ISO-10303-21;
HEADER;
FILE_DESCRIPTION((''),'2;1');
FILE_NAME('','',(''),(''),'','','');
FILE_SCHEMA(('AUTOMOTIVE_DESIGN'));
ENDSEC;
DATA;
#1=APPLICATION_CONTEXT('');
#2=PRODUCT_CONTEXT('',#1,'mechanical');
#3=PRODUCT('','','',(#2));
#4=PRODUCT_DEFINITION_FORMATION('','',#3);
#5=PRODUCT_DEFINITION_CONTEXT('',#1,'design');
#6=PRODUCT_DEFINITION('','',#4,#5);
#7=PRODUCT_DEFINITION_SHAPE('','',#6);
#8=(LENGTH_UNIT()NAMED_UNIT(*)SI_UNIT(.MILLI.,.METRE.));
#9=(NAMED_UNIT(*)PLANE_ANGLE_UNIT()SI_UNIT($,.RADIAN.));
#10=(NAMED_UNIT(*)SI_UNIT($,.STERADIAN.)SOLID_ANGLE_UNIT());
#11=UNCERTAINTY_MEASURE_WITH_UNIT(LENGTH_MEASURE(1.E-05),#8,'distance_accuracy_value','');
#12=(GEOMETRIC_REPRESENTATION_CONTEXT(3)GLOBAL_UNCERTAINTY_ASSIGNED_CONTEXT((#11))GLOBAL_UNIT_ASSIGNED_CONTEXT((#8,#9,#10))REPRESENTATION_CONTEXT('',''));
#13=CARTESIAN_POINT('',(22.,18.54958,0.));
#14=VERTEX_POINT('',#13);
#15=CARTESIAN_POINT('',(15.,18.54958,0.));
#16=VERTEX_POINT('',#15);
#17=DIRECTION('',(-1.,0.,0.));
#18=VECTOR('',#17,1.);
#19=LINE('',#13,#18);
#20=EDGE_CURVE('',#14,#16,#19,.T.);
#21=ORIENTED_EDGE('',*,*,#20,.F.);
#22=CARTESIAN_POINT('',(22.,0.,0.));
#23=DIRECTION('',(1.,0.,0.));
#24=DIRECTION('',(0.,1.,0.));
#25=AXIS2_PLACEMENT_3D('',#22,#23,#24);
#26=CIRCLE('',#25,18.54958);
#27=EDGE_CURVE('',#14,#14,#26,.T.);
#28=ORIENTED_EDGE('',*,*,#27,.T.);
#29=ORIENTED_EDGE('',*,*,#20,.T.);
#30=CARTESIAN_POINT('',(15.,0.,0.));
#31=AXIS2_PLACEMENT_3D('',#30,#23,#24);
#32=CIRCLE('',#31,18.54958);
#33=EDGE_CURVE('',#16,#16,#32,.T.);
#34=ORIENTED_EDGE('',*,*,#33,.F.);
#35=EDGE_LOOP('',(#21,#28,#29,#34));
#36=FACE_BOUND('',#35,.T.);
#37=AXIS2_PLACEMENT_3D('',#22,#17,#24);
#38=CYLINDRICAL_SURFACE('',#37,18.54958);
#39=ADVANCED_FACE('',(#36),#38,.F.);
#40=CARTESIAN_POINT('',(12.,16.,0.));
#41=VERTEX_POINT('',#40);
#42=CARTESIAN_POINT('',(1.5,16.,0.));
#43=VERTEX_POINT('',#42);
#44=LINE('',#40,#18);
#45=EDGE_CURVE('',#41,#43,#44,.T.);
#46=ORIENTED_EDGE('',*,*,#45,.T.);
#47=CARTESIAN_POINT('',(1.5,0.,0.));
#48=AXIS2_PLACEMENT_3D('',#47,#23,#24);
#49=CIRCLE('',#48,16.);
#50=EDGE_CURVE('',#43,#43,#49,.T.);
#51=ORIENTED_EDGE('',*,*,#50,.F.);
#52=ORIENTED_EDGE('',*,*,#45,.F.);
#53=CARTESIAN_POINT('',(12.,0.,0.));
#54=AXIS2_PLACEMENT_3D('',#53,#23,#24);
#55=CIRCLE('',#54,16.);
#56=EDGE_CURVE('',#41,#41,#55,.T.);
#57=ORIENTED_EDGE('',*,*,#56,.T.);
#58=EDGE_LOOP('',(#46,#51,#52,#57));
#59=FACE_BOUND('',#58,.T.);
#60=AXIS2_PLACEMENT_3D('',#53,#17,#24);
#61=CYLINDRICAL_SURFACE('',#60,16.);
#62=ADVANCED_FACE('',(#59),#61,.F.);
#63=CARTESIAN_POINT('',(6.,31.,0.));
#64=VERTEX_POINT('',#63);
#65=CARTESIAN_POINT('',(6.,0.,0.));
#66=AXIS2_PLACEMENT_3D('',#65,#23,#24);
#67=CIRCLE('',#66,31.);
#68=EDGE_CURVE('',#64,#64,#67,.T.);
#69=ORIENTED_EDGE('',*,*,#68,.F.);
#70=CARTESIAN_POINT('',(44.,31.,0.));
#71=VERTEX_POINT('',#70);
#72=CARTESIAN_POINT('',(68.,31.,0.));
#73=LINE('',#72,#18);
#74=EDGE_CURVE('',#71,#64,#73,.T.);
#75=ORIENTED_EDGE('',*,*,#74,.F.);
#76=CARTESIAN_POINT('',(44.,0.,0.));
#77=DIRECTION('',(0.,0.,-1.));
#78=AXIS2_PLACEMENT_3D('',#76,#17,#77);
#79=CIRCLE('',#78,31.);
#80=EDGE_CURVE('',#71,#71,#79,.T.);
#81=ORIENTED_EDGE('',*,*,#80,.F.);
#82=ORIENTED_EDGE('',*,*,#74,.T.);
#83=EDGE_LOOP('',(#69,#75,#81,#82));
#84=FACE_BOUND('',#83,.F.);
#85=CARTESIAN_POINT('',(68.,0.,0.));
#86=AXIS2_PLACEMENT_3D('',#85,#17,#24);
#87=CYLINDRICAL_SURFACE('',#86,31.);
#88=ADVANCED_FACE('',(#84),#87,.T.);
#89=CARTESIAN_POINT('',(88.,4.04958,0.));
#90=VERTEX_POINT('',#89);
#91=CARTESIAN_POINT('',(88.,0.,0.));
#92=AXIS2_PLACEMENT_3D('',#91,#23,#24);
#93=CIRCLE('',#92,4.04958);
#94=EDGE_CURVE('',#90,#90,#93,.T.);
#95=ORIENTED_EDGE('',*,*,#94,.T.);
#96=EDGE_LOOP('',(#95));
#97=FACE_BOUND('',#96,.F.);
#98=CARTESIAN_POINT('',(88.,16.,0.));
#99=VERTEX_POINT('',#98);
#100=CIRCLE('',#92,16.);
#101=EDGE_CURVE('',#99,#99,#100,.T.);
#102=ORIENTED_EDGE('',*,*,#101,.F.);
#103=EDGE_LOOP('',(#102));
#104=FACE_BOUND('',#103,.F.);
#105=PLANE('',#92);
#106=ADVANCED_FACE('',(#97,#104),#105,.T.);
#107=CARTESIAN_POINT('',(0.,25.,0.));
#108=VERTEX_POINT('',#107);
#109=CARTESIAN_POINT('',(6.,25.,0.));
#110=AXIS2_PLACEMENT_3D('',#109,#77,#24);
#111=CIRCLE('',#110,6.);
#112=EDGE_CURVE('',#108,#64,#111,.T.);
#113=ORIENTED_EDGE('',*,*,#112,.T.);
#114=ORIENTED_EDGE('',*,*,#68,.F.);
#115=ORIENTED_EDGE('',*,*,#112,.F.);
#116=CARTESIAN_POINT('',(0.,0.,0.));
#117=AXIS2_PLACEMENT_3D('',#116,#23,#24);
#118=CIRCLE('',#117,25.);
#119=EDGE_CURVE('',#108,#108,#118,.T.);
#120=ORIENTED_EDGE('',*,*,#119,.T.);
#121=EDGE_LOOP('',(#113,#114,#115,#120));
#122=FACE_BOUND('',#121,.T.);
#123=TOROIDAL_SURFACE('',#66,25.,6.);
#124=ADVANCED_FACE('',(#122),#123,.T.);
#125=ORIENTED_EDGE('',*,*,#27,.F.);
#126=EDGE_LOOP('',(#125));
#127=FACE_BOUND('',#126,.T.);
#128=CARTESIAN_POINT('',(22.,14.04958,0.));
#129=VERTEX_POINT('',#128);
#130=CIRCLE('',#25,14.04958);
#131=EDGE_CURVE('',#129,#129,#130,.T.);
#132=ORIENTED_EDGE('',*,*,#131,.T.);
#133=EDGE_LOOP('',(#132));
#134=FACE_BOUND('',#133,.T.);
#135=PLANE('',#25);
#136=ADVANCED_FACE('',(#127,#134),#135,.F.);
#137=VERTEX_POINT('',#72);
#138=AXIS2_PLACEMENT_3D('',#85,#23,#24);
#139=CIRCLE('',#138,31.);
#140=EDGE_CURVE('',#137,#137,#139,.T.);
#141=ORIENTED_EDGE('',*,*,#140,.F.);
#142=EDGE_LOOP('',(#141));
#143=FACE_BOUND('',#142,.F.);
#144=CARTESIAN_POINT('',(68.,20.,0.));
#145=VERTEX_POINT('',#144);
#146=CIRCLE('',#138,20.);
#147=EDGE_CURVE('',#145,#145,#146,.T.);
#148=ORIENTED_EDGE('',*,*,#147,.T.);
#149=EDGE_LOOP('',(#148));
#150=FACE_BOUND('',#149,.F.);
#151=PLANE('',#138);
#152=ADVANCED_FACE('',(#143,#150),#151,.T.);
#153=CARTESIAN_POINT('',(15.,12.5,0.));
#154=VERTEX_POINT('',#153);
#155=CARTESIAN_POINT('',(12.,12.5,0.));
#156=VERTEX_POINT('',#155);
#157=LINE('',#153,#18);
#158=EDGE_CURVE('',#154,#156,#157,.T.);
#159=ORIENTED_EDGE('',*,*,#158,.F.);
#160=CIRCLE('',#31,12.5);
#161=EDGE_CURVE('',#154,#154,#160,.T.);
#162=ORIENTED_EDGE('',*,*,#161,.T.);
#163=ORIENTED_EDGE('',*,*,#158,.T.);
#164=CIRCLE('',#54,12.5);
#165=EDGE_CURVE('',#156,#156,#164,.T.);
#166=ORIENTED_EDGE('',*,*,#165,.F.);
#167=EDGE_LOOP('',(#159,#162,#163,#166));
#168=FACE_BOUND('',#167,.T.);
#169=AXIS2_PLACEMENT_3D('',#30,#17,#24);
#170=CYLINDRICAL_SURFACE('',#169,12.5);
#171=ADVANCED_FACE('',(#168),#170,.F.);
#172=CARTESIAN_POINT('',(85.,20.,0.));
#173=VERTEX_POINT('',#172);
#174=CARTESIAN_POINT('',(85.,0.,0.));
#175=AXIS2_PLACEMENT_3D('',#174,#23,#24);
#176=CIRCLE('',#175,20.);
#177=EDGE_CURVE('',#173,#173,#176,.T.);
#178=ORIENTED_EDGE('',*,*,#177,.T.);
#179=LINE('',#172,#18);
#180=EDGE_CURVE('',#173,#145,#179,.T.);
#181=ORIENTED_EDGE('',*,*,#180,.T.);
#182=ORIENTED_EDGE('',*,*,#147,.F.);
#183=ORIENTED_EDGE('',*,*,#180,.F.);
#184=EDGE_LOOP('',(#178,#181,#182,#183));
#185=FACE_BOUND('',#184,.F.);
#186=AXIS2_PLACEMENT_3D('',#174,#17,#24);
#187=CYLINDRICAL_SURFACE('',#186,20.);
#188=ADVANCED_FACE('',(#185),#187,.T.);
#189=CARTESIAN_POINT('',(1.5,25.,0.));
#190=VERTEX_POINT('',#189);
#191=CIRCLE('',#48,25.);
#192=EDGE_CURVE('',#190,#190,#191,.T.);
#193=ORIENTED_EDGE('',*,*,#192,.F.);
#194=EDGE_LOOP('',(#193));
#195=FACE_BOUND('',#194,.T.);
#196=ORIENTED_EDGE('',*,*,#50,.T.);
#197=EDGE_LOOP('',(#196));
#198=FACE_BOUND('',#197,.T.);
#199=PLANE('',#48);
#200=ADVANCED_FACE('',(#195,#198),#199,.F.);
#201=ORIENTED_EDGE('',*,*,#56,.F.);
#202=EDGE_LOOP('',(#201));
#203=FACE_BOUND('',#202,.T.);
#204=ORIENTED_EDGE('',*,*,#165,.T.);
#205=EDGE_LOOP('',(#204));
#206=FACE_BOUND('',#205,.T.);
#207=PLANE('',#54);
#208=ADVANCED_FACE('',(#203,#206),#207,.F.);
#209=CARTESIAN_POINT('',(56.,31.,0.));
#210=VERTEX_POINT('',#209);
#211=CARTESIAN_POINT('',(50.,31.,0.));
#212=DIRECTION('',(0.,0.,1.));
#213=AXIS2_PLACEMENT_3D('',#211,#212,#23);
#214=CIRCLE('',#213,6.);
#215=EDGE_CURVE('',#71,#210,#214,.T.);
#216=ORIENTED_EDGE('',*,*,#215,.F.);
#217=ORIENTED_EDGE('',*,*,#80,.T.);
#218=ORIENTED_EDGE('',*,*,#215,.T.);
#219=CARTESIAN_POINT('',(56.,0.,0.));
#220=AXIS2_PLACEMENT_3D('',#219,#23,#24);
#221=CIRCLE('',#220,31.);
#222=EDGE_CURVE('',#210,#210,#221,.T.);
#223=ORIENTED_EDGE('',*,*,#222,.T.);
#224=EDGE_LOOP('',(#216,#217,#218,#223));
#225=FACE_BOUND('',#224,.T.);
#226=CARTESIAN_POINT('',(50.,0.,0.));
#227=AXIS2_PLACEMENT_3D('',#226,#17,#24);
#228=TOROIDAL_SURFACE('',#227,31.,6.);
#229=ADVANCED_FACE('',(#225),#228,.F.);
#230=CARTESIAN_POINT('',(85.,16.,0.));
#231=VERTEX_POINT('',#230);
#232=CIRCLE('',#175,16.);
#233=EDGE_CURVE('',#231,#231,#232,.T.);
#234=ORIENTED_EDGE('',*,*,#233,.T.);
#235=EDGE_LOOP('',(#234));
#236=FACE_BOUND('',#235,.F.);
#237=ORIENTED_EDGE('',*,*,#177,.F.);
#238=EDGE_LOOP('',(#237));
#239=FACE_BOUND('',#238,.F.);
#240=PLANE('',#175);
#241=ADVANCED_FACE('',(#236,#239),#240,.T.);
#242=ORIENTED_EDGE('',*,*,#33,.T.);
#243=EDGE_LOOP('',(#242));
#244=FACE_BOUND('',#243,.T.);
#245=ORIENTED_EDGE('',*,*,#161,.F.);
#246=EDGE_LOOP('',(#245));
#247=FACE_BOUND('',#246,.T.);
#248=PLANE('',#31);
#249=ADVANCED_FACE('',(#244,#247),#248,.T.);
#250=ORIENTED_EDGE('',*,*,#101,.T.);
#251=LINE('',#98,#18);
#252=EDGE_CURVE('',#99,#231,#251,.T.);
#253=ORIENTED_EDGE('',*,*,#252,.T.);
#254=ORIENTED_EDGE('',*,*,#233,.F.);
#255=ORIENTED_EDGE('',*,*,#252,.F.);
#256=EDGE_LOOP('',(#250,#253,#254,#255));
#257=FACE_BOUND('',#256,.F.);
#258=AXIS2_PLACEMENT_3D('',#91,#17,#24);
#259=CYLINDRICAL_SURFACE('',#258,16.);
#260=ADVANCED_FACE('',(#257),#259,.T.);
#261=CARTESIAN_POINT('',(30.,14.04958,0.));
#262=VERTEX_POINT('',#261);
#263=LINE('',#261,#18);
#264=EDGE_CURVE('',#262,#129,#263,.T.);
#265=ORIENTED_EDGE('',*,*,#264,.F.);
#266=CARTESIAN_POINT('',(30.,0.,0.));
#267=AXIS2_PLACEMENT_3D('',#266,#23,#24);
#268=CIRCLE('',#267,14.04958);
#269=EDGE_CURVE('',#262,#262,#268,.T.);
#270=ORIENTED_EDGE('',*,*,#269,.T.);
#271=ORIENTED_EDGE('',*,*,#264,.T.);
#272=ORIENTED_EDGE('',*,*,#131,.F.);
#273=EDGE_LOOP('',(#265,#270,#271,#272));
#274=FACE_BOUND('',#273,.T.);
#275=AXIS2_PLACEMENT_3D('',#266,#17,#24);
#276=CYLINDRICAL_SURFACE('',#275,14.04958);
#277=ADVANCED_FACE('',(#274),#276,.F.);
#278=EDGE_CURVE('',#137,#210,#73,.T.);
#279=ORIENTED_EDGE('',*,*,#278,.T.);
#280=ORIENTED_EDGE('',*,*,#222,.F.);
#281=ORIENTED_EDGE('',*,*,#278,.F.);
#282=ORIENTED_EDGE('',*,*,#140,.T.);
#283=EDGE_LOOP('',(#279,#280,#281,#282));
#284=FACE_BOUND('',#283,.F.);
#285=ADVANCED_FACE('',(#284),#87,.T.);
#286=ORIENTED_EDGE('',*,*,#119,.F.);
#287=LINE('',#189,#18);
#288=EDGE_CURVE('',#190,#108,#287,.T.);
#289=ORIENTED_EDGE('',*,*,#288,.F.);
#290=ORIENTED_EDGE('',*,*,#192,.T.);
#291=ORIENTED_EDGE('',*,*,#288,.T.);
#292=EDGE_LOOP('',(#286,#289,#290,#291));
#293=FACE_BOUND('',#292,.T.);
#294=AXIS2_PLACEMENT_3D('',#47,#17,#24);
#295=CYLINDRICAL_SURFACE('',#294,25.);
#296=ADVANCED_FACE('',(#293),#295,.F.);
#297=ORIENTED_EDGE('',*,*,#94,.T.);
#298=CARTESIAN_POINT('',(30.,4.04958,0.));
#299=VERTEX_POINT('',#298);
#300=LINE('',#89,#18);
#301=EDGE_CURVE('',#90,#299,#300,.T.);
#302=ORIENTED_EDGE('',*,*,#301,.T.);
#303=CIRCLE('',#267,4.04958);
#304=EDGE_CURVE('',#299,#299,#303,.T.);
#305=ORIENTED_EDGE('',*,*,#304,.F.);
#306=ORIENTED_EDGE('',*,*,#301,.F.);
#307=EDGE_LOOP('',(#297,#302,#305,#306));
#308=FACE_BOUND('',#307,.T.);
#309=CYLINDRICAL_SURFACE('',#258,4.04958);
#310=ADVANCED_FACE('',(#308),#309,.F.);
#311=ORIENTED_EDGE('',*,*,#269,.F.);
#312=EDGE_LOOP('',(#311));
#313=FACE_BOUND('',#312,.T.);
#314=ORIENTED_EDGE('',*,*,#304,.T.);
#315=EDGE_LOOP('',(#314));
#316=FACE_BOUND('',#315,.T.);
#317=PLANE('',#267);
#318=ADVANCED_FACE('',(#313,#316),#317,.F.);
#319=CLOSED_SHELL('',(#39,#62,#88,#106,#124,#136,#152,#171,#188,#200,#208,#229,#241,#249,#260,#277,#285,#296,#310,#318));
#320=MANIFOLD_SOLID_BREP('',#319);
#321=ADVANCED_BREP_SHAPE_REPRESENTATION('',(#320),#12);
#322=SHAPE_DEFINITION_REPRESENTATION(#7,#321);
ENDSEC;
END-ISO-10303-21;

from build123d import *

# Parameters (mm, degrees)
F2_R = 6
F3_R = 6


with BuildPart() as f1:
    # F0 (on Top) → F1 (revolve)
    with BuildSketch(Plane.XY):
        Polygon((0, 31), (0, 0), (88, 0), (88, 16), (85, 16), (85, 20), (68, 20), (68, 31), align=None)
    revolve(axis=Axis((49.862798, 0, 0), (1, 0, 0)))

    # F2
    f2_edges = [f1.edges().sort_by_distance(p)[0] for p in [
        (0, -31, 0),
    ]]
    fillet(f2_edges, radius=F2_R)

    # F3 (on Top) → F4 (revolve, cut)
    with BuildSketch(Plane.XY):
        with Locations((50, 31)):
            Circle(F3_R)
    revolve(axis=Axis((49.862798, 0, 0), (1, 0, 0)), mode=Mode.SUBTRACT)

    # F5 (on Top) → F6 (revolve, cut)
    with BuildSketch(Plane.XY):
        Polygon((0, 25), (0, 0), (88, 0), (88, 4.04958), (30, 4.04958), (30, 14.04958), (22, 14.04958), (22, 18.54958), (15, 18.54958), (15, 12.5), (12, 12.5), (12, 16), (1.5, 16), (1.5, 25), align=None)
    revolve(axis=Axis((49.862798, 0, 0), (1, 0, 0)), mode=Mode.SUBTRACT)


solid = f1.part
